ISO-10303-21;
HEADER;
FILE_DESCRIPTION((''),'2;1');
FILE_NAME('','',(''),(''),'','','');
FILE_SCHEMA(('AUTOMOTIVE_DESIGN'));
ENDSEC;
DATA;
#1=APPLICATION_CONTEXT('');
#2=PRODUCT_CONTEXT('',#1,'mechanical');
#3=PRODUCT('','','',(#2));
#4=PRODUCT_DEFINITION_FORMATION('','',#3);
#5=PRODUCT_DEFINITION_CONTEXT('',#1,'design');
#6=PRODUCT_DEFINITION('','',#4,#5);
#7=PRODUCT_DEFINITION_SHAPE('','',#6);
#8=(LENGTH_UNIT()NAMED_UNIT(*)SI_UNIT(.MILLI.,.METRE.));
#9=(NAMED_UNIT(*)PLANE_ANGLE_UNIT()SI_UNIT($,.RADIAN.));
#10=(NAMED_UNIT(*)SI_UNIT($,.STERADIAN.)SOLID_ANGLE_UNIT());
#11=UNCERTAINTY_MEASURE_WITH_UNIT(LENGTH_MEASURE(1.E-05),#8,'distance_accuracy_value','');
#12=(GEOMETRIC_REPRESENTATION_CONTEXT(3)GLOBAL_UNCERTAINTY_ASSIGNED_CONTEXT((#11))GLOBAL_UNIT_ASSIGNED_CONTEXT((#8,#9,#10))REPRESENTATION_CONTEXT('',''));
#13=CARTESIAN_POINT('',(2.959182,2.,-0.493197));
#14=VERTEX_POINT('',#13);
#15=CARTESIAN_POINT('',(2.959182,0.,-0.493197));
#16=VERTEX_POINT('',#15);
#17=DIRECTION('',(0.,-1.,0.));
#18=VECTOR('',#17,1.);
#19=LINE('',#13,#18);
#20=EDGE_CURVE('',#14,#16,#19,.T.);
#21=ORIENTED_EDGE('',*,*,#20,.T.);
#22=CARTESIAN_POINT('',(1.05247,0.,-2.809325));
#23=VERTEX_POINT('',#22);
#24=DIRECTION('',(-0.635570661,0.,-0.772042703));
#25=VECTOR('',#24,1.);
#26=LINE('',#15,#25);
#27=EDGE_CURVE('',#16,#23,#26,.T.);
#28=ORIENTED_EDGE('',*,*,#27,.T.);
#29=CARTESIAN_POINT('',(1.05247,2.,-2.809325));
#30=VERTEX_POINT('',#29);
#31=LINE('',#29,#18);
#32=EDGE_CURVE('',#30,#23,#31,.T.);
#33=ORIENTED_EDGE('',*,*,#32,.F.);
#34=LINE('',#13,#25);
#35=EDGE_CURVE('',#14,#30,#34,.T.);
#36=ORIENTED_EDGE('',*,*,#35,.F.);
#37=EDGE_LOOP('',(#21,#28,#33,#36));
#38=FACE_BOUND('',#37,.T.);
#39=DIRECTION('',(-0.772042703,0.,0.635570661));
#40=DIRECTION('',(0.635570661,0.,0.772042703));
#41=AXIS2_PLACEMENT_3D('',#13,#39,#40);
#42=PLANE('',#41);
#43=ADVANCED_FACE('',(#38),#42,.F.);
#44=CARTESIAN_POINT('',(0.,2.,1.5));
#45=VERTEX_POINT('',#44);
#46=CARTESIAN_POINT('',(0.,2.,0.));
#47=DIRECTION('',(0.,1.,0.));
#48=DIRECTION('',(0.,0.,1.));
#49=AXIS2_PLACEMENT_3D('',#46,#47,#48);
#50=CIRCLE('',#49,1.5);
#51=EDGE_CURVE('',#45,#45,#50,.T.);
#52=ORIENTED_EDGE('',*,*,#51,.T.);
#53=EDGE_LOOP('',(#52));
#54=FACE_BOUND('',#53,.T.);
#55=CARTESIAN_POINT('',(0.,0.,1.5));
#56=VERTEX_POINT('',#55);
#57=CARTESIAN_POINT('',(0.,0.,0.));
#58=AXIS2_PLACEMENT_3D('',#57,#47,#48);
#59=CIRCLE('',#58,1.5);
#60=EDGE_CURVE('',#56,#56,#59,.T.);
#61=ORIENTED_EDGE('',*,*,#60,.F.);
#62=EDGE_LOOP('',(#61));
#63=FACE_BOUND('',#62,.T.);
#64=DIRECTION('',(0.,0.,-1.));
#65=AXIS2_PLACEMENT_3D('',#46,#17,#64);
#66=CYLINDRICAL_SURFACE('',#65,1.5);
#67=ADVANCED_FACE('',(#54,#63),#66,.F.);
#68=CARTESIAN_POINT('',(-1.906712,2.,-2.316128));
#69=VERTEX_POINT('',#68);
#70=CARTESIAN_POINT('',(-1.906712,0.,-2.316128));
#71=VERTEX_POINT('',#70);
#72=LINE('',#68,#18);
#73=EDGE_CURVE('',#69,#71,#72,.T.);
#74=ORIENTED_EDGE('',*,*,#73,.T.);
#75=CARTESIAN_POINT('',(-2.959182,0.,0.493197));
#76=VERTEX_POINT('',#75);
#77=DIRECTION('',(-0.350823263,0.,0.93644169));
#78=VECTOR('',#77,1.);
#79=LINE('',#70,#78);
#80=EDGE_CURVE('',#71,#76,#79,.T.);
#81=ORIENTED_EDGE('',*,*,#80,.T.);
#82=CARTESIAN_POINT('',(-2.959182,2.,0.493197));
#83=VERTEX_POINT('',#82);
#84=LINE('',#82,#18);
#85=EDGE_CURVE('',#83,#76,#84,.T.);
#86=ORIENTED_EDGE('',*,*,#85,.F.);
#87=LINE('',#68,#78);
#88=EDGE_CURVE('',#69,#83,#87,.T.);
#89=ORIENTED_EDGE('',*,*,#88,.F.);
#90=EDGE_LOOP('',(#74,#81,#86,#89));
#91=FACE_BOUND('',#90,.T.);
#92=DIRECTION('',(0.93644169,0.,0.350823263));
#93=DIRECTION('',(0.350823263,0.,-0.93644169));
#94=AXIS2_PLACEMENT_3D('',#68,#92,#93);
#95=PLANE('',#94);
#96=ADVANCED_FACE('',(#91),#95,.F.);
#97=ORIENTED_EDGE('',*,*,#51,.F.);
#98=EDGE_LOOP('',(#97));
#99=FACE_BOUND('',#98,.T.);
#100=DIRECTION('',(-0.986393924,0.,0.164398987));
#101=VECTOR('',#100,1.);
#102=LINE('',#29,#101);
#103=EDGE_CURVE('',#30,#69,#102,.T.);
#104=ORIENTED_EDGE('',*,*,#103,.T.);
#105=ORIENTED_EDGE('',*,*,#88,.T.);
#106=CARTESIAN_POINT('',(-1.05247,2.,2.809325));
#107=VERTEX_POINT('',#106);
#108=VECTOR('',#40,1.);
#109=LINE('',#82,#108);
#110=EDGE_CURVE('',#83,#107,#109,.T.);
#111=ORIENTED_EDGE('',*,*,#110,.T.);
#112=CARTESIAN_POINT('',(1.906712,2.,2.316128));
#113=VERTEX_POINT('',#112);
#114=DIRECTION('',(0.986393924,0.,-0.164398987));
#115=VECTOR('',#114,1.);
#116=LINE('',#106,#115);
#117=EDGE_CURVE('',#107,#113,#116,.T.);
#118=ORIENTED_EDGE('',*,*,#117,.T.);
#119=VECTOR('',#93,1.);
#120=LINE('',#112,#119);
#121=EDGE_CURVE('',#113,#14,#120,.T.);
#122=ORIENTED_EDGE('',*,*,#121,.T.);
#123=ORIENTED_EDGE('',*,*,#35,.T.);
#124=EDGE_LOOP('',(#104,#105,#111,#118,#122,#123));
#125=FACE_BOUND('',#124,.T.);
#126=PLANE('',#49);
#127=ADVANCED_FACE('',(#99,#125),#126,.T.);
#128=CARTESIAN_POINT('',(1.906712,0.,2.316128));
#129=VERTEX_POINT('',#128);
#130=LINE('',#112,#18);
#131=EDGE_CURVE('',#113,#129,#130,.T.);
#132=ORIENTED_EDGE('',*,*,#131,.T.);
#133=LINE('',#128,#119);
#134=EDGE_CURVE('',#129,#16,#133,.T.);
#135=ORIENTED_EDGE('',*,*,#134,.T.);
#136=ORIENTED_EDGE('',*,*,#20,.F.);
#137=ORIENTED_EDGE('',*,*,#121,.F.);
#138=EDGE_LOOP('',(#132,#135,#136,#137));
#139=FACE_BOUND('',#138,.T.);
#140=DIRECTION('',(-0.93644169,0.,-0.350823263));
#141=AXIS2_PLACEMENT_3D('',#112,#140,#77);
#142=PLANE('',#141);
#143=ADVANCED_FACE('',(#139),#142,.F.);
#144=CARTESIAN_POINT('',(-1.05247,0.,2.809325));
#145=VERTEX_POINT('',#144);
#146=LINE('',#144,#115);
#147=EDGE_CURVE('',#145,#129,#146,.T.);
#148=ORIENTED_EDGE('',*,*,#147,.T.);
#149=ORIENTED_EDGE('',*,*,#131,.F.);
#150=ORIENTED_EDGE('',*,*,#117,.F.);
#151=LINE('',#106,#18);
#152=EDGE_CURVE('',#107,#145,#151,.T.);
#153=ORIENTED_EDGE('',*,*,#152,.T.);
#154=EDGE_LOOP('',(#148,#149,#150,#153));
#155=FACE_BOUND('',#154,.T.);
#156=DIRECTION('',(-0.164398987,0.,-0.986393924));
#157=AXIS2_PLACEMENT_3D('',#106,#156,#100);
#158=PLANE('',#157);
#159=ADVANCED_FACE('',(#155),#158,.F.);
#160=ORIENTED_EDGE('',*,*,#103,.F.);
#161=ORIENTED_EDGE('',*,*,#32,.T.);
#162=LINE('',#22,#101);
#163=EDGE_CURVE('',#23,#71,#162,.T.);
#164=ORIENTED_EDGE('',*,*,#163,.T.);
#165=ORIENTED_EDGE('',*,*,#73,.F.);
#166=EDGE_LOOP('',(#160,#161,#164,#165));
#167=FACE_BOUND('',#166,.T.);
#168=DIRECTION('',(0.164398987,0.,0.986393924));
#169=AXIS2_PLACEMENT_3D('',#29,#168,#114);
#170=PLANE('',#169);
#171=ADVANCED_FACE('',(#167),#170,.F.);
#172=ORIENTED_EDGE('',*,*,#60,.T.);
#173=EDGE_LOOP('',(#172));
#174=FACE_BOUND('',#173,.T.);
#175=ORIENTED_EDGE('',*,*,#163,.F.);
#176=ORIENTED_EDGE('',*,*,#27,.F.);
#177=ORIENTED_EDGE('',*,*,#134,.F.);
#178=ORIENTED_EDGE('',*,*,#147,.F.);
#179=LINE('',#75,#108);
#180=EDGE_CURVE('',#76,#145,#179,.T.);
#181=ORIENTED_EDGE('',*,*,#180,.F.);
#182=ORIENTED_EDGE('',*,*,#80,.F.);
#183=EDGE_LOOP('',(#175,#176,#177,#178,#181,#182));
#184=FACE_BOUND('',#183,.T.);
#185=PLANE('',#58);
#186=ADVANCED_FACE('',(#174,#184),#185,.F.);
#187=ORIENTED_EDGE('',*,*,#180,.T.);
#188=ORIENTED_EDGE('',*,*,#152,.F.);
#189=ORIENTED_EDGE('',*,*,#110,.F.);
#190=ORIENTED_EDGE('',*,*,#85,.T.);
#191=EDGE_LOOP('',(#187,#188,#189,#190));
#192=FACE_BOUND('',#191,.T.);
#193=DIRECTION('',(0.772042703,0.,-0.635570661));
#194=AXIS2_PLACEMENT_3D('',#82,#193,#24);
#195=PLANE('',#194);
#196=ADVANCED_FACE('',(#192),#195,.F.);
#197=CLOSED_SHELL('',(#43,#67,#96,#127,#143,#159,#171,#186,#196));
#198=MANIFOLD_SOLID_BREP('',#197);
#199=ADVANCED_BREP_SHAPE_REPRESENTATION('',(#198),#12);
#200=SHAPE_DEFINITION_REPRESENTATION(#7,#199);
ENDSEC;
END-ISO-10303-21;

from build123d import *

# Parameters (mm, degrees)
SKETCH1_R           = 1.5
BOSS_EXTRUDE2_DEPTH = 2


with BuildPart() as part:
    # Sketch1 → Boss-Extrude2 (new body)
    with BuildSketch(Plane(origin=(0, 0, 0), x_dir=(1, 0, 0), z_dir=(0, 1, 0))):
        Polygon((2.959181771, 0.493196962), (1.052469788, 2.809325069), (-1.906711984, 2.316128108), (-2.959181771, -0.493196962), (-1.052469788, -2.809325069), (1.906711984, -2.316128108), align=None)
        Circle(SKETCH1_R, mode=Mode.SUBTRACT)
    extrude(amount=BOSS_EXTRUDE2_DEPTH)


solid = part.part
